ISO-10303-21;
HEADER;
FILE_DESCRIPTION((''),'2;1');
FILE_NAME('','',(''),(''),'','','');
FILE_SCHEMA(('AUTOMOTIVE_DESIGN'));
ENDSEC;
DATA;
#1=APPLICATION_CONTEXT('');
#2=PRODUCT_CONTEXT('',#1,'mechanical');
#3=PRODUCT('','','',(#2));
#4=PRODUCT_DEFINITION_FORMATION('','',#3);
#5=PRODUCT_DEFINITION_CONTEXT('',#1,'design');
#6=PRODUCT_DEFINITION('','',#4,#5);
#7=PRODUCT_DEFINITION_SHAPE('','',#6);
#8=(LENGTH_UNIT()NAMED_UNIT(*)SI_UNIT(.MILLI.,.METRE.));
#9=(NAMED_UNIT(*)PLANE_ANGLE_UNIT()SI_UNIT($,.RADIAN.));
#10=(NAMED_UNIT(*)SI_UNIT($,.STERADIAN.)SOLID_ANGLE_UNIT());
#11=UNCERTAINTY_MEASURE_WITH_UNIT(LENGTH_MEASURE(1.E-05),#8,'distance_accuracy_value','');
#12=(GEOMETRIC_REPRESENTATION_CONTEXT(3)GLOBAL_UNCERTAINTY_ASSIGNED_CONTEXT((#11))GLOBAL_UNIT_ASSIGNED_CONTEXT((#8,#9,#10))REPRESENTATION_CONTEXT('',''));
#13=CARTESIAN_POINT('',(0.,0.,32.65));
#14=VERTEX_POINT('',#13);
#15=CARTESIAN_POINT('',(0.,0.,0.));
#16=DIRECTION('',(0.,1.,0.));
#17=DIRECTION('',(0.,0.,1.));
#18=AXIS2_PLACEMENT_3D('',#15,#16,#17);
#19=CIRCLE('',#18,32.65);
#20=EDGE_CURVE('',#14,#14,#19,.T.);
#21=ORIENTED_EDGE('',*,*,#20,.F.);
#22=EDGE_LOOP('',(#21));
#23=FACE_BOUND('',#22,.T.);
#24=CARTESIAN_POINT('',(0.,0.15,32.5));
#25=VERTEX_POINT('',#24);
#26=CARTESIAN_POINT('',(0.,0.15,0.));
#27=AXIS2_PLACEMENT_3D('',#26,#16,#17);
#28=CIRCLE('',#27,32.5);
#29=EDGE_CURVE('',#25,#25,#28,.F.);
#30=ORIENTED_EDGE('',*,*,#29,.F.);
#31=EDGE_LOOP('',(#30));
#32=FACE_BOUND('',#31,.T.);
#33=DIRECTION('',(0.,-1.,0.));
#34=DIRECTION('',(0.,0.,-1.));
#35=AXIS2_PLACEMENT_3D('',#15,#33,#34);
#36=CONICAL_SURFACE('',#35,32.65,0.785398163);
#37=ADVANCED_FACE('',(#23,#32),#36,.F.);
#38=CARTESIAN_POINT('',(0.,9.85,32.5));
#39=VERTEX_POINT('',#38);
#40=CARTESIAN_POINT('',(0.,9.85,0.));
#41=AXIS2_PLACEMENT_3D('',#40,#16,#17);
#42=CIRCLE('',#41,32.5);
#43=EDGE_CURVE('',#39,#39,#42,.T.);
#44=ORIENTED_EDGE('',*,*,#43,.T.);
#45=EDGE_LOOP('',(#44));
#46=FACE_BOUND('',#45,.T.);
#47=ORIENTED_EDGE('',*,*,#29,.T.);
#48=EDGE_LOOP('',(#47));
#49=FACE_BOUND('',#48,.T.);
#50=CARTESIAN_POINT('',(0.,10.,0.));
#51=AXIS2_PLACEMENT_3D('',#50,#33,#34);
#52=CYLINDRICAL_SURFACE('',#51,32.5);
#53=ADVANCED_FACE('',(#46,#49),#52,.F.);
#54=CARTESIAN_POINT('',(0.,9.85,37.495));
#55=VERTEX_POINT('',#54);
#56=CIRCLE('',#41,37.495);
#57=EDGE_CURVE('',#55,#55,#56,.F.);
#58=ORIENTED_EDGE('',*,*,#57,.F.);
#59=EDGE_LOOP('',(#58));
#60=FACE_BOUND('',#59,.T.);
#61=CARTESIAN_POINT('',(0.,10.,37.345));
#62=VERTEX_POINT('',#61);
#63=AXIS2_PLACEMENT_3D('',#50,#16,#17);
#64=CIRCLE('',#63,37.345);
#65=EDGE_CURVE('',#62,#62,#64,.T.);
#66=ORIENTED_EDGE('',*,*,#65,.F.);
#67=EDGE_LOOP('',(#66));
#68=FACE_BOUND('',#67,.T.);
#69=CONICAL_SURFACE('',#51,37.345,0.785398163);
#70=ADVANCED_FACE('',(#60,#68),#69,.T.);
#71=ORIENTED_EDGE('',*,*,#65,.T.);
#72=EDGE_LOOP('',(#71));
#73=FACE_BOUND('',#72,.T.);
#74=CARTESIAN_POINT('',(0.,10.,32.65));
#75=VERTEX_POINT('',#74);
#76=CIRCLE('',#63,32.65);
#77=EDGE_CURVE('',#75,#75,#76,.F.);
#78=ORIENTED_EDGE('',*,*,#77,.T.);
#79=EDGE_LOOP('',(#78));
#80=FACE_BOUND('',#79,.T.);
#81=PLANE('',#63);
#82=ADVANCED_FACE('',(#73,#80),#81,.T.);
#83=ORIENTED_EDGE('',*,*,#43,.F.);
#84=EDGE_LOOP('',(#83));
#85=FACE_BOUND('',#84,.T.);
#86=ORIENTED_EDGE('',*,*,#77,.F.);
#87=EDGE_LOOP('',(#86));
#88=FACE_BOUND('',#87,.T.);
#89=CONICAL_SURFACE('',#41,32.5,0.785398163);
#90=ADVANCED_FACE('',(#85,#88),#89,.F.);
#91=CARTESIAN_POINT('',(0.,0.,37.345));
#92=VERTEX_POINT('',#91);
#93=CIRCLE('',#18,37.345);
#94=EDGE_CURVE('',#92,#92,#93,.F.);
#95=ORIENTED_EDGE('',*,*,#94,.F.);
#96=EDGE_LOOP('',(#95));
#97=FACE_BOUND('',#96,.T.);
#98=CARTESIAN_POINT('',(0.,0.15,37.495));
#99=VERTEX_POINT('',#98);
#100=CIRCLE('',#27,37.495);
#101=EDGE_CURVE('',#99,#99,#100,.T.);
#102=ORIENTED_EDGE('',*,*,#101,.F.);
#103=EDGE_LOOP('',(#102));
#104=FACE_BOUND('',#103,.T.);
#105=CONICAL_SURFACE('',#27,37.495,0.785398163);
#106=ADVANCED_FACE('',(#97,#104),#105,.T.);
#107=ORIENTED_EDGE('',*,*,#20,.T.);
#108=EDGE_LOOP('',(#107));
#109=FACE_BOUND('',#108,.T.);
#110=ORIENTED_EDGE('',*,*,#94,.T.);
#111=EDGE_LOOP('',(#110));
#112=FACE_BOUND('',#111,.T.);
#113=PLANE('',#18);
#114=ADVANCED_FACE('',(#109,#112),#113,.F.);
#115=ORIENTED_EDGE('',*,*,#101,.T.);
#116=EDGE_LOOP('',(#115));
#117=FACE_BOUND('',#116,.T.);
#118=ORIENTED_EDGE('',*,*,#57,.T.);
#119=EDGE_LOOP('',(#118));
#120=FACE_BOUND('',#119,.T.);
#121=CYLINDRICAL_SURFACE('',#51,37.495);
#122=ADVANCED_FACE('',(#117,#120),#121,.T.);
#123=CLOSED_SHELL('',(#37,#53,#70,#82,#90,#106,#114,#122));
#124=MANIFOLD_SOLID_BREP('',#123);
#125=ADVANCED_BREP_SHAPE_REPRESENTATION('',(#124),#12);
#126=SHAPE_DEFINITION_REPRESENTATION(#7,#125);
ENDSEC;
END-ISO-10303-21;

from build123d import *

# Parameters (mm, degrees)
SKETCH1_R           = 37.495
SKETCH1_R_2         = 32.5
BOSS_EXTRUDE1_DEPTH = 10
CHAMFER1_SIZE       = 0.15


with BuildPart() as part:
    # Sketch1 → Boss-Extrude1 (new body)
    with BuildSketch(Plane(origin=(0, 0, 0), x_dir=(1, 0, 0), z_dir=(0, 1, 0))):
        with Locations(Location((0, 0, 0), (0, 0, 270))):
            Circle(SKETCH1_R)
        with Locations(Location((0, 0, 0), (0, 0, 270))):
            Circle(SKETCH1_R_2, mode=Mode.SUBTRACT)
    extrude(amount=BOSS_EXTRUDE1_DEPTH)

    # Chamfer1
    chamfer1_edges = [part.edges().sort_by_distance(p)[0] for p in [
        (0, 0, -37.495),
        (0, 10, -37.495),
        (0, 0, -32.5),
        (0, 10, -32.5),
    ]]
    chamfer(chamfer1_edges, length=CHAMFER1_SIZE)


solid = part.part
